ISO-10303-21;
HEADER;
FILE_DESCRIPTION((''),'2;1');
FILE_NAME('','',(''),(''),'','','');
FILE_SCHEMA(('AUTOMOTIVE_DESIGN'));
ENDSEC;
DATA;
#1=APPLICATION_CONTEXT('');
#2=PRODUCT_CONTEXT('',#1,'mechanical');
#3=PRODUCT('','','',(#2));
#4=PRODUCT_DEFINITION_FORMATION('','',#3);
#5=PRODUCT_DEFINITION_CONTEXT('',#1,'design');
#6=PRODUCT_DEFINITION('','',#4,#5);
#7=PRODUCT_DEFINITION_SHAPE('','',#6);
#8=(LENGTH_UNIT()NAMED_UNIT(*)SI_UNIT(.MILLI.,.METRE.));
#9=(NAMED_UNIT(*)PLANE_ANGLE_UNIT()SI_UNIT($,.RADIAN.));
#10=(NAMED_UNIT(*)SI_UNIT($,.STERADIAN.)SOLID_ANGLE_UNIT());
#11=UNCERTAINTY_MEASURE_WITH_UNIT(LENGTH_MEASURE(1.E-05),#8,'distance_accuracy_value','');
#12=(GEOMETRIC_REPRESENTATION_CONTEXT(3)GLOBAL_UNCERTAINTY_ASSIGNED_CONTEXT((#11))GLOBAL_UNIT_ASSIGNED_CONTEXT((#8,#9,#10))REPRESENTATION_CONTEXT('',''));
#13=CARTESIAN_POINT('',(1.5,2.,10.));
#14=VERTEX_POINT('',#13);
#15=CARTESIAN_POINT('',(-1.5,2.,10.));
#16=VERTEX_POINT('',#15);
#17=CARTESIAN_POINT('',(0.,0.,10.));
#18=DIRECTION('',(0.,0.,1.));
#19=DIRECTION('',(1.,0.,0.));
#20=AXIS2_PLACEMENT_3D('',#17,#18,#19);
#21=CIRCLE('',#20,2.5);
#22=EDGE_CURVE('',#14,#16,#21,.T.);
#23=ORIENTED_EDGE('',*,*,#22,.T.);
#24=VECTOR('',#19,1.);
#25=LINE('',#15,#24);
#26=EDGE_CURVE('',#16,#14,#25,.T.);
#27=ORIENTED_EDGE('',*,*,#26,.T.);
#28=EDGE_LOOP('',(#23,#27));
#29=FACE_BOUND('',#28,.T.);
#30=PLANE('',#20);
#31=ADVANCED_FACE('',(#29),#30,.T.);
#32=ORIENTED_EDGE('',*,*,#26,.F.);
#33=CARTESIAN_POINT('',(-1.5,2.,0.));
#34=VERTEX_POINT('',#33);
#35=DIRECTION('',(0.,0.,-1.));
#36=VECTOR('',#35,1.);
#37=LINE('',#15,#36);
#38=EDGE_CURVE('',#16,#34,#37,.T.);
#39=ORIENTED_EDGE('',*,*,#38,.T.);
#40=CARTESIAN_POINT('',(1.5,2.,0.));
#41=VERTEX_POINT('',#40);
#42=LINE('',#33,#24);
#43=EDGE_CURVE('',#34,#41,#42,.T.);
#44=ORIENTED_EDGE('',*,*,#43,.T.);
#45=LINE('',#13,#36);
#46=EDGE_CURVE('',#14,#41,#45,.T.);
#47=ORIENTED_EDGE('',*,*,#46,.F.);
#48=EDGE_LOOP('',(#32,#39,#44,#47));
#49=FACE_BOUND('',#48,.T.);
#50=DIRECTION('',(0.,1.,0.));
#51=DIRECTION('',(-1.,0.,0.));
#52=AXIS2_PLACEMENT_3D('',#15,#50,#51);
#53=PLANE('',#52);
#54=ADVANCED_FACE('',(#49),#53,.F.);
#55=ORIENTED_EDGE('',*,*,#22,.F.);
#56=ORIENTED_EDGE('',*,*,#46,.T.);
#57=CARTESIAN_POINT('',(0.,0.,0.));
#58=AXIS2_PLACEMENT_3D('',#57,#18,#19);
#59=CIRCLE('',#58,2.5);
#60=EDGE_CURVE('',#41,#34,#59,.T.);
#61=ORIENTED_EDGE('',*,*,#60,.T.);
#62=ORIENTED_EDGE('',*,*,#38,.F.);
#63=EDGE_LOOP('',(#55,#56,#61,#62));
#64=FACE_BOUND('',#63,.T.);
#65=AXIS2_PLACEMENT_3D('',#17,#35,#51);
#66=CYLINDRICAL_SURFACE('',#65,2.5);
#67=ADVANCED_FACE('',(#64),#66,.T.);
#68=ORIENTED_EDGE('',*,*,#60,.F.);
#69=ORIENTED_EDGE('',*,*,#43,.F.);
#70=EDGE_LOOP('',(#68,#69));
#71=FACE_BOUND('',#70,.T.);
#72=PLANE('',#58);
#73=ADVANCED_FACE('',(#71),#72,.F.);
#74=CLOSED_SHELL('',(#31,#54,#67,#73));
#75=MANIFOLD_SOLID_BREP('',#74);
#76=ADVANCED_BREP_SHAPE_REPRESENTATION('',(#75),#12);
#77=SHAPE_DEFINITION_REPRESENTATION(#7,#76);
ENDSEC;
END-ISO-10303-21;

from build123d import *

# Parameters (mm, degrees)
BOSS_EXTRUDE1_DEPTH = 10


with BuildPart() as part:
    # Sketch1 → Boss-Extrude1 (new body)
    with BuildSketch(Plane.XY):
        with BuildLine():
            Line((-1.5, 2), (1.5, 2))
            ThreePointArc((1.5, 2), (0, 2.5), (-1.5, 2))
        make_face()
    extrude(amount=BOSS_EXTRUDE1_DEPTH)


solid = part.part
